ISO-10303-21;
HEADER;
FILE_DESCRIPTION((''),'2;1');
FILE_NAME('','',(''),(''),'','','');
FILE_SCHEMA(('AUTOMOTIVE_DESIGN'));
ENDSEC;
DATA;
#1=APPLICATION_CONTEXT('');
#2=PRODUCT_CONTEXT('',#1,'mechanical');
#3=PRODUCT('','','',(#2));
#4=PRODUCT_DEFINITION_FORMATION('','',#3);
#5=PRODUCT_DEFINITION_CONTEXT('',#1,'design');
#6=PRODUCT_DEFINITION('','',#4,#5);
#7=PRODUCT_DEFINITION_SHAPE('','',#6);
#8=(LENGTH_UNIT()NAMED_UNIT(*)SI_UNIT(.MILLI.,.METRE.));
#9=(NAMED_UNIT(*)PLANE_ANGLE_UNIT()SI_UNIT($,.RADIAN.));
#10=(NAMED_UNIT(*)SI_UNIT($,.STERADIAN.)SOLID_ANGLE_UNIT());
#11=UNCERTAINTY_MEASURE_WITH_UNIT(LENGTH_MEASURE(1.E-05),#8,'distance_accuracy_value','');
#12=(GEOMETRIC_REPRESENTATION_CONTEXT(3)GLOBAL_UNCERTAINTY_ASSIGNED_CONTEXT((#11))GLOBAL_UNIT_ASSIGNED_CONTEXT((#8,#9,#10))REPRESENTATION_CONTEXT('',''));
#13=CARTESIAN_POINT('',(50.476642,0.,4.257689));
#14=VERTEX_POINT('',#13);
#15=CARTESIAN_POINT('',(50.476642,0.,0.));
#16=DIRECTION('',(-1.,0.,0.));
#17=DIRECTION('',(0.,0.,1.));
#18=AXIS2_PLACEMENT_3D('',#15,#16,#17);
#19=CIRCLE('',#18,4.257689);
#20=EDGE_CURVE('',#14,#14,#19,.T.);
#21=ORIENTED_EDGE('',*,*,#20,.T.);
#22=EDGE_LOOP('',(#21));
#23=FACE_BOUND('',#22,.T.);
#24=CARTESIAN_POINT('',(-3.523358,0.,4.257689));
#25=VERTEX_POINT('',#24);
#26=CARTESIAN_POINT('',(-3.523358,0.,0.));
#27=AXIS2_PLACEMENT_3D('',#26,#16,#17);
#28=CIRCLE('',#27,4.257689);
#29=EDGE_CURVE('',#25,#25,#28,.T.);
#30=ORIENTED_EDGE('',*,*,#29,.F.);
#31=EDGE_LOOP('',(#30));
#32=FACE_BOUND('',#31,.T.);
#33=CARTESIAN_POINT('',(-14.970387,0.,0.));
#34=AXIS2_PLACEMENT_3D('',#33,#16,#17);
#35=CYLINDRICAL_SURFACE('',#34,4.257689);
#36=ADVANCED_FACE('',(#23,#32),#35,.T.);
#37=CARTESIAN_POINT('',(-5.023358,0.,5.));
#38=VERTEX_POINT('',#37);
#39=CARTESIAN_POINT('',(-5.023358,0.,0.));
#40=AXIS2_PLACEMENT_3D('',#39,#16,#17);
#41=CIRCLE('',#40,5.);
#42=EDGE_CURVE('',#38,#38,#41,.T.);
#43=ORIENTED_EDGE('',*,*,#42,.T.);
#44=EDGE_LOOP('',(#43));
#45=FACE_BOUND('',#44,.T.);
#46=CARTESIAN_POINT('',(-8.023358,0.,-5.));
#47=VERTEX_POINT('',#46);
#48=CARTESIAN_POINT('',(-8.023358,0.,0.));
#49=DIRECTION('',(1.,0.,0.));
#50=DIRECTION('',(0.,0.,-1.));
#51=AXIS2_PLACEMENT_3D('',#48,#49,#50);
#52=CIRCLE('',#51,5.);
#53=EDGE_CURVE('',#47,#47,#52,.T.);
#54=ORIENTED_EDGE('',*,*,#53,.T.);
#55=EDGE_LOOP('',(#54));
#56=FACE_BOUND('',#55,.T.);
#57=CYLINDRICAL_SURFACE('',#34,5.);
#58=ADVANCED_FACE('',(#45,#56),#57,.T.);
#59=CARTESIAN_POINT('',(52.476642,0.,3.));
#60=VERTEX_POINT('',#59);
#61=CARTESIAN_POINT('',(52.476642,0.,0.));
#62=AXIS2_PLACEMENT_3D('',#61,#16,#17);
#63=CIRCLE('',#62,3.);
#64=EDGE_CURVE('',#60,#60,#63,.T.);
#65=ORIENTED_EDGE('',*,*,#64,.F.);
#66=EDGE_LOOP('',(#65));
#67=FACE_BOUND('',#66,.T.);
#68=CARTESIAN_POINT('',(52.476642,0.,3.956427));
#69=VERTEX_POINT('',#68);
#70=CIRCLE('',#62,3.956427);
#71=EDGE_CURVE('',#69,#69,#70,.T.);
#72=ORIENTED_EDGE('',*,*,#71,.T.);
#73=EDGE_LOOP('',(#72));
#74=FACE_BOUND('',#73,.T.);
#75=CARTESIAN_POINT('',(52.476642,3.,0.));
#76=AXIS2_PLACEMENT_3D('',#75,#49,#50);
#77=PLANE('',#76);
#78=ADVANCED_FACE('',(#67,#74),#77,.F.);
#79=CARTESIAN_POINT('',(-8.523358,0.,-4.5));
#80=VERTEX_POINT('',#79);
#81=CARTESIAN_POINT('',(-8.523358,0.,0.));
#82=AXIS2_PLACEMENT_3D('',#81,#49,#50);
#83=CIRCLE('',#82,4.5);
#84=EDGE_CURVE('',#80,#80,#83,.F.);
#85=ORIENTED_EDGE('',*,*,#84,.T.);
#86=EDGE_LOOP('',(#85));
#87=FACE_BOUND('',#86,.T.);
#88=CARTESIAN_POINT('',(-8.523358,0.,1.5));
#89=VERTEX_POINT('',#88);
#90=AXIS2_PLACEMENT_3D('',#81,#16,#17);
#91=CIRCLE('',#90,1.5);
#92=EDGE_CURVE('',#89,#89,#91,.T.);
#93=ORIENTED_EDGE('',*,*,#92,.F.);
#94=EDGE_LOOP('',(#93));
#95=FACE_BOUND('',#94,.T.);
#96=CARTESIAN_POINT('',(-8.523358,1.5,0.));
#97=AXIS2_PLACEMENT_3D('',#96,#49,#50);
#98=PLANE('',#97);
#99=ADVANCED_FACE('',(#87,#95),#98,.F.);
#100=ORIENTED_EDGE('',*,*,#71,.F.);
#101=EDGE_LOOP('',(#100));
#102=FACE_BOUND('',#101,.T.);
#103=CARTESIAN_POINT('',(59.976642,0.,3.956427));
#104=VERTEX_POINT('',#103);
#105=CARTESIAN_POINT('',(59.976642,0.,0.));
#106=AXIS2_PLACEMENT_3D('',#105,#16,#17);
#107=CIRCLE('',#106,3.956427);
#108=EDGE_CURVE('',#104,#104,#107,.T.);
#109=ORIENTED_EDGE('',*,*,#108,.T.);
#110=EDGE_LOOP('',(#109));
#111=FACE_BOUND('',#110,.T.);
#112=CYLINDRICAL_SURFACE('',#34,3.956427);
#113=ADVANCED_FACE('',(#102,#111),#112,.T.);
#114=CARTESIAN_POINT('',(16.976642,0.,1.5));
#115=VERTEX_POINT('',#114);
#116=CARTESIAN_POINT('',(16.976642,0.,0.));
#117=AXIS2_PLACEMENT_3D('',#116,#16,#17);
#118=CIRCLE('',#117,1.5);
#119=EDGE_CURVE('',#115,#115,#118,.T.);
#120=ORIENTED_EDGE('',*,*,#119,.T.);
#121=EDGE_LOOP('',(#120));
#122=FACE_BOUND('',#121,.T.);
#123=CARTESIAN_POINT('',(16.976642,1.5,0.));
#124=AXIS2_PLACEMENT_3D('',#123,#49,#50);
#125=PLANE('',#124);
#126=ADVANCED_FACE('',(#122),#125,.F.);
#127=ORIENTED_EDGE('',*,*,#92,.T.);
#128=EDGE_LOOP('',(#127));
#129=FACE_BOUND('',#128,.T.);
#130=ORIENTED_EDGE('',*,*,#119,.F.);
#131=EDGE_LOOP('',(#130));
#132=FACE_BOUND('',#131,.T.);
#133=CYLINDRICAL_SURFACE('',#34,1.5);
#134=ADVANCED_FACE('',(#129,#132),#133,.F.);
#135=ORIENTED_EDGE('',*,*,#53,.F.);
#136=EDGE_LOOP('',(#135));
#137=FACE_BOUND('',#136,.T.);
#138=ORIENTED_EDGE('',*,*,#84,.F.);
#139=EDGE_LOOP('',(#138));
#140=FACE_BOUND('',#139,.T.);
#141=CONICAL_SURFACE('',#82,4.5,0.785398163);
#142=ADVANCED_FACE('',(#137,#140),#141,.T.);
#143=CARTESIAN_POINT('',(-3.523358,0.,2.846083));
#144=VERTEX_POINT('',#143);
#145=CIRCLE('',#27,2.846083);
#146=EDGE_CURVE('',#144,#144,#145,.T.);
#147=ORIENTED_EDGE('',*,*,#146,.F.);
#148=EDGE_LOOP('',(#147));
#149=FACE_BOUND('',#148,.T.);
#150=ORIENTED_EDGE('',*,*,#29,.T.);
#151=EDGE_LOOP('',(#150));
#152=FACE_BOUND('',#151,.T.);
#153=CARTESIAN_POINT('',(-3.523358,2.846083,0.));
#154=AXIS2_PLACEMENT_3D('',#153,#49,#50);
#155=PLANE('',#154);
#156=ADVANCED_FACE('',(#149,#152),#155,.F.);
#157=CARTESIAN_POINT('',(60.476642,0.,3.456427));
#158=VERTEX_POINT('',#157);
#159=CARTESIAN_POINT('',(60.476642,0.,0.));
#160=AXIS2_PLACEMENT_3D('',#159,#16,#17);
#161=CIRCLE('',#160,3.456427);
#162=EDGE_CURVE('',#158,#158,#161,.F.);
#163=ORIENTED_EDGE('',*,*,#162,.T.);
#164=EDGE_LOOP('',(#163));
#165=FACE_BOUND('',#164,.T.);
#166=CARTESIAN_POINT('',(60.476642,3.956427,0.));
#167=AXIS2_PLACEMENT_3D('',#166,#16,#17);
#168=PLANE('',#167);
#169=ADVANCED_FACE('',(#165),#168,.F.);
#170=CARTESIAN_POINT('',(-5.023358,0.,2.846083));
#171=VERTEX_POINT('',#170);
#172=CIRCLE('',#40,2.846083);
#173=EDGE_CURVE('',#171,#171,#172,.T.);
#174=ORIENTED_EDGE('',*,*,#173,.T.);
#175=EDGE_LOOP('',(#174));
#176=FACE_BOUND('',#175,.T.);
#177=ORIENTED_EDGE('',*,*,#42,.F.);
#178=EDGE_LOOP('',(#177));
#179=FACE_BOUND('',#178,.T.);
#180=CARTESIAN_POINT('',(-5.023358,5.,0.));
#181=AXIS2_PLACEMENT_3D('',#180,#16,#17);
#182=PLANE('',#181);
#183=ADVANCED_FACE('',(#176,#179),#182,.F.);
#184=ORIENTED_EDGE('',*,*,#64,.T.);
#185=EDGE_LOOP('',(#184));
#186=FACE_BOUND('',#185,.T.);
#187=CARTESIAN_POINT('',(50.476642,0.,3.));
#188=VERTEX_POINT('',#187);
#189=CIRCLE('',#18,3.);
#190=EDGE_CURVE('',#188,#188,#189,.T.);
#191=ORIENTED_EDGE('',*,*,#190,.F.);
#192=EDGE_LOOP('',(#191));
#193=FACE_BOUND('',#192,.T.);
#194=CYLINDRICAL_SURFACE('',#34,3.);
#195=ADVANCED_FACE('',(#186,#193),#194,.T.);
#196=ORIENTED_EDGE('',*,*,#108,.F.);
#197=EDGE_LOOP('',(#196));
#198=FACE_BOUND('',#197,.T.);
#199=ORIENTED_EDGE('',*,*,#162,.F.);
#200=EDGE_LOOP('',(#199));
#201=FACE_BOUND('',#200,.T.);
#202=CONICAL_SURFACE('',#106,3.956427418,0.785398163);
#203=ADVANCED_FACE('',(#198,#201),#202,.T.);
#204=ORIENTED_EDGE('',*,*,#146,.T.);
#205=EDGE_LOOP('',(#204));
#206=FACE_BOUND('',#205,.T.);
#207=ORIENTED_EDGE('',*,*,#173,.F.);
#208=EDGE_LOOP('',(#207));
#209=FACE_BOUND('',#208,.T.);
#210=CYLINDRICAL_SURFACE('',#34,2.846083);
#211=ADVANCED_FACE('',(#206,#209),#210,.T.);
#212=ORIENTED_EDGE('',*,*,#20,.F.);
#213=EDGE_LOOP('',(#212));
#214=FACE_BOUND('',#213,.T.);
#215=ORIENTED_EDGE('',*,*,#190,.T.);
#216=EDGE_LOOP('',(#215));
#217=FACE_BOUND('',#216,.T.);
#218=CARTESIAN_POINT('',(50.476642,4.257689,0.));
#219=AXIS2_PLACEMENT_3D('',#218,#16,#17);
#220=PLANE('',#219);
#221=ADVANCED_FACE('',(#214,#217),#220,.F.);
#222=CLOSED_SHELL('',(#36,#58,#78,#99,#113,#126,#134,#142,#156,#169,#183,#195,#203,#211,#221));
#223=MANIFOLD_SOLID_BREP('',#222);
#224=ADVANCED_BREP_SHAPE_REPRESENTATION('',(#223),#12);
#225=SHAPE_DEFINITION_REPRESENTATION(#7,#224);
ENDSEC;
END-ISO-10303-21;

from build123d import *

# Parameters (mm, degrees)
CHAMFER1_SIZE = 0.5
CHAMFER2_SIZE = 0.5


with BuildPart() as part:
    # Sketch1 → Revolve1 (revolve)
    with BuildSketch(Plane.XY):
        Polygon((-8.523357549, 1.5), (-8.523357549, 5), (-5.023357549, 5), (-5.023357549, 2.846083032), (-3.523357549, 2.846083032), (-3.523357549, 4.257689054), (50.476642451, 4.257689054), (50.476642451, 3), (52.476642451, 3), (52.476642451, 3.956427418), (60.476642451, 3.956427418), (60.476642451, 0), (16.976642451, 0), (16.976642451, 1.5), align=None)
    revolve(axis=Axis((-14.970386809, 0, 0), (1, 0, 0)))

    # Chamfer1
    chamfer1_edges = [part.edges().sort_by_distance(p)[0] for p in [
        (-8.523357549, -5, 0),
    ]]
    chamfer(chamfer1_edges, length=CHAMFER1_SIZE)

    # Chamfer2
    chamfer2_edges = [part.edges().sort_by_distance(p)[0] for p in [
        (60.476642451, -3.956427418, 0),
    ]]
    chamfer(chamfer2_edges, length=CHAMFER2_SIZE)


solid = part.part
